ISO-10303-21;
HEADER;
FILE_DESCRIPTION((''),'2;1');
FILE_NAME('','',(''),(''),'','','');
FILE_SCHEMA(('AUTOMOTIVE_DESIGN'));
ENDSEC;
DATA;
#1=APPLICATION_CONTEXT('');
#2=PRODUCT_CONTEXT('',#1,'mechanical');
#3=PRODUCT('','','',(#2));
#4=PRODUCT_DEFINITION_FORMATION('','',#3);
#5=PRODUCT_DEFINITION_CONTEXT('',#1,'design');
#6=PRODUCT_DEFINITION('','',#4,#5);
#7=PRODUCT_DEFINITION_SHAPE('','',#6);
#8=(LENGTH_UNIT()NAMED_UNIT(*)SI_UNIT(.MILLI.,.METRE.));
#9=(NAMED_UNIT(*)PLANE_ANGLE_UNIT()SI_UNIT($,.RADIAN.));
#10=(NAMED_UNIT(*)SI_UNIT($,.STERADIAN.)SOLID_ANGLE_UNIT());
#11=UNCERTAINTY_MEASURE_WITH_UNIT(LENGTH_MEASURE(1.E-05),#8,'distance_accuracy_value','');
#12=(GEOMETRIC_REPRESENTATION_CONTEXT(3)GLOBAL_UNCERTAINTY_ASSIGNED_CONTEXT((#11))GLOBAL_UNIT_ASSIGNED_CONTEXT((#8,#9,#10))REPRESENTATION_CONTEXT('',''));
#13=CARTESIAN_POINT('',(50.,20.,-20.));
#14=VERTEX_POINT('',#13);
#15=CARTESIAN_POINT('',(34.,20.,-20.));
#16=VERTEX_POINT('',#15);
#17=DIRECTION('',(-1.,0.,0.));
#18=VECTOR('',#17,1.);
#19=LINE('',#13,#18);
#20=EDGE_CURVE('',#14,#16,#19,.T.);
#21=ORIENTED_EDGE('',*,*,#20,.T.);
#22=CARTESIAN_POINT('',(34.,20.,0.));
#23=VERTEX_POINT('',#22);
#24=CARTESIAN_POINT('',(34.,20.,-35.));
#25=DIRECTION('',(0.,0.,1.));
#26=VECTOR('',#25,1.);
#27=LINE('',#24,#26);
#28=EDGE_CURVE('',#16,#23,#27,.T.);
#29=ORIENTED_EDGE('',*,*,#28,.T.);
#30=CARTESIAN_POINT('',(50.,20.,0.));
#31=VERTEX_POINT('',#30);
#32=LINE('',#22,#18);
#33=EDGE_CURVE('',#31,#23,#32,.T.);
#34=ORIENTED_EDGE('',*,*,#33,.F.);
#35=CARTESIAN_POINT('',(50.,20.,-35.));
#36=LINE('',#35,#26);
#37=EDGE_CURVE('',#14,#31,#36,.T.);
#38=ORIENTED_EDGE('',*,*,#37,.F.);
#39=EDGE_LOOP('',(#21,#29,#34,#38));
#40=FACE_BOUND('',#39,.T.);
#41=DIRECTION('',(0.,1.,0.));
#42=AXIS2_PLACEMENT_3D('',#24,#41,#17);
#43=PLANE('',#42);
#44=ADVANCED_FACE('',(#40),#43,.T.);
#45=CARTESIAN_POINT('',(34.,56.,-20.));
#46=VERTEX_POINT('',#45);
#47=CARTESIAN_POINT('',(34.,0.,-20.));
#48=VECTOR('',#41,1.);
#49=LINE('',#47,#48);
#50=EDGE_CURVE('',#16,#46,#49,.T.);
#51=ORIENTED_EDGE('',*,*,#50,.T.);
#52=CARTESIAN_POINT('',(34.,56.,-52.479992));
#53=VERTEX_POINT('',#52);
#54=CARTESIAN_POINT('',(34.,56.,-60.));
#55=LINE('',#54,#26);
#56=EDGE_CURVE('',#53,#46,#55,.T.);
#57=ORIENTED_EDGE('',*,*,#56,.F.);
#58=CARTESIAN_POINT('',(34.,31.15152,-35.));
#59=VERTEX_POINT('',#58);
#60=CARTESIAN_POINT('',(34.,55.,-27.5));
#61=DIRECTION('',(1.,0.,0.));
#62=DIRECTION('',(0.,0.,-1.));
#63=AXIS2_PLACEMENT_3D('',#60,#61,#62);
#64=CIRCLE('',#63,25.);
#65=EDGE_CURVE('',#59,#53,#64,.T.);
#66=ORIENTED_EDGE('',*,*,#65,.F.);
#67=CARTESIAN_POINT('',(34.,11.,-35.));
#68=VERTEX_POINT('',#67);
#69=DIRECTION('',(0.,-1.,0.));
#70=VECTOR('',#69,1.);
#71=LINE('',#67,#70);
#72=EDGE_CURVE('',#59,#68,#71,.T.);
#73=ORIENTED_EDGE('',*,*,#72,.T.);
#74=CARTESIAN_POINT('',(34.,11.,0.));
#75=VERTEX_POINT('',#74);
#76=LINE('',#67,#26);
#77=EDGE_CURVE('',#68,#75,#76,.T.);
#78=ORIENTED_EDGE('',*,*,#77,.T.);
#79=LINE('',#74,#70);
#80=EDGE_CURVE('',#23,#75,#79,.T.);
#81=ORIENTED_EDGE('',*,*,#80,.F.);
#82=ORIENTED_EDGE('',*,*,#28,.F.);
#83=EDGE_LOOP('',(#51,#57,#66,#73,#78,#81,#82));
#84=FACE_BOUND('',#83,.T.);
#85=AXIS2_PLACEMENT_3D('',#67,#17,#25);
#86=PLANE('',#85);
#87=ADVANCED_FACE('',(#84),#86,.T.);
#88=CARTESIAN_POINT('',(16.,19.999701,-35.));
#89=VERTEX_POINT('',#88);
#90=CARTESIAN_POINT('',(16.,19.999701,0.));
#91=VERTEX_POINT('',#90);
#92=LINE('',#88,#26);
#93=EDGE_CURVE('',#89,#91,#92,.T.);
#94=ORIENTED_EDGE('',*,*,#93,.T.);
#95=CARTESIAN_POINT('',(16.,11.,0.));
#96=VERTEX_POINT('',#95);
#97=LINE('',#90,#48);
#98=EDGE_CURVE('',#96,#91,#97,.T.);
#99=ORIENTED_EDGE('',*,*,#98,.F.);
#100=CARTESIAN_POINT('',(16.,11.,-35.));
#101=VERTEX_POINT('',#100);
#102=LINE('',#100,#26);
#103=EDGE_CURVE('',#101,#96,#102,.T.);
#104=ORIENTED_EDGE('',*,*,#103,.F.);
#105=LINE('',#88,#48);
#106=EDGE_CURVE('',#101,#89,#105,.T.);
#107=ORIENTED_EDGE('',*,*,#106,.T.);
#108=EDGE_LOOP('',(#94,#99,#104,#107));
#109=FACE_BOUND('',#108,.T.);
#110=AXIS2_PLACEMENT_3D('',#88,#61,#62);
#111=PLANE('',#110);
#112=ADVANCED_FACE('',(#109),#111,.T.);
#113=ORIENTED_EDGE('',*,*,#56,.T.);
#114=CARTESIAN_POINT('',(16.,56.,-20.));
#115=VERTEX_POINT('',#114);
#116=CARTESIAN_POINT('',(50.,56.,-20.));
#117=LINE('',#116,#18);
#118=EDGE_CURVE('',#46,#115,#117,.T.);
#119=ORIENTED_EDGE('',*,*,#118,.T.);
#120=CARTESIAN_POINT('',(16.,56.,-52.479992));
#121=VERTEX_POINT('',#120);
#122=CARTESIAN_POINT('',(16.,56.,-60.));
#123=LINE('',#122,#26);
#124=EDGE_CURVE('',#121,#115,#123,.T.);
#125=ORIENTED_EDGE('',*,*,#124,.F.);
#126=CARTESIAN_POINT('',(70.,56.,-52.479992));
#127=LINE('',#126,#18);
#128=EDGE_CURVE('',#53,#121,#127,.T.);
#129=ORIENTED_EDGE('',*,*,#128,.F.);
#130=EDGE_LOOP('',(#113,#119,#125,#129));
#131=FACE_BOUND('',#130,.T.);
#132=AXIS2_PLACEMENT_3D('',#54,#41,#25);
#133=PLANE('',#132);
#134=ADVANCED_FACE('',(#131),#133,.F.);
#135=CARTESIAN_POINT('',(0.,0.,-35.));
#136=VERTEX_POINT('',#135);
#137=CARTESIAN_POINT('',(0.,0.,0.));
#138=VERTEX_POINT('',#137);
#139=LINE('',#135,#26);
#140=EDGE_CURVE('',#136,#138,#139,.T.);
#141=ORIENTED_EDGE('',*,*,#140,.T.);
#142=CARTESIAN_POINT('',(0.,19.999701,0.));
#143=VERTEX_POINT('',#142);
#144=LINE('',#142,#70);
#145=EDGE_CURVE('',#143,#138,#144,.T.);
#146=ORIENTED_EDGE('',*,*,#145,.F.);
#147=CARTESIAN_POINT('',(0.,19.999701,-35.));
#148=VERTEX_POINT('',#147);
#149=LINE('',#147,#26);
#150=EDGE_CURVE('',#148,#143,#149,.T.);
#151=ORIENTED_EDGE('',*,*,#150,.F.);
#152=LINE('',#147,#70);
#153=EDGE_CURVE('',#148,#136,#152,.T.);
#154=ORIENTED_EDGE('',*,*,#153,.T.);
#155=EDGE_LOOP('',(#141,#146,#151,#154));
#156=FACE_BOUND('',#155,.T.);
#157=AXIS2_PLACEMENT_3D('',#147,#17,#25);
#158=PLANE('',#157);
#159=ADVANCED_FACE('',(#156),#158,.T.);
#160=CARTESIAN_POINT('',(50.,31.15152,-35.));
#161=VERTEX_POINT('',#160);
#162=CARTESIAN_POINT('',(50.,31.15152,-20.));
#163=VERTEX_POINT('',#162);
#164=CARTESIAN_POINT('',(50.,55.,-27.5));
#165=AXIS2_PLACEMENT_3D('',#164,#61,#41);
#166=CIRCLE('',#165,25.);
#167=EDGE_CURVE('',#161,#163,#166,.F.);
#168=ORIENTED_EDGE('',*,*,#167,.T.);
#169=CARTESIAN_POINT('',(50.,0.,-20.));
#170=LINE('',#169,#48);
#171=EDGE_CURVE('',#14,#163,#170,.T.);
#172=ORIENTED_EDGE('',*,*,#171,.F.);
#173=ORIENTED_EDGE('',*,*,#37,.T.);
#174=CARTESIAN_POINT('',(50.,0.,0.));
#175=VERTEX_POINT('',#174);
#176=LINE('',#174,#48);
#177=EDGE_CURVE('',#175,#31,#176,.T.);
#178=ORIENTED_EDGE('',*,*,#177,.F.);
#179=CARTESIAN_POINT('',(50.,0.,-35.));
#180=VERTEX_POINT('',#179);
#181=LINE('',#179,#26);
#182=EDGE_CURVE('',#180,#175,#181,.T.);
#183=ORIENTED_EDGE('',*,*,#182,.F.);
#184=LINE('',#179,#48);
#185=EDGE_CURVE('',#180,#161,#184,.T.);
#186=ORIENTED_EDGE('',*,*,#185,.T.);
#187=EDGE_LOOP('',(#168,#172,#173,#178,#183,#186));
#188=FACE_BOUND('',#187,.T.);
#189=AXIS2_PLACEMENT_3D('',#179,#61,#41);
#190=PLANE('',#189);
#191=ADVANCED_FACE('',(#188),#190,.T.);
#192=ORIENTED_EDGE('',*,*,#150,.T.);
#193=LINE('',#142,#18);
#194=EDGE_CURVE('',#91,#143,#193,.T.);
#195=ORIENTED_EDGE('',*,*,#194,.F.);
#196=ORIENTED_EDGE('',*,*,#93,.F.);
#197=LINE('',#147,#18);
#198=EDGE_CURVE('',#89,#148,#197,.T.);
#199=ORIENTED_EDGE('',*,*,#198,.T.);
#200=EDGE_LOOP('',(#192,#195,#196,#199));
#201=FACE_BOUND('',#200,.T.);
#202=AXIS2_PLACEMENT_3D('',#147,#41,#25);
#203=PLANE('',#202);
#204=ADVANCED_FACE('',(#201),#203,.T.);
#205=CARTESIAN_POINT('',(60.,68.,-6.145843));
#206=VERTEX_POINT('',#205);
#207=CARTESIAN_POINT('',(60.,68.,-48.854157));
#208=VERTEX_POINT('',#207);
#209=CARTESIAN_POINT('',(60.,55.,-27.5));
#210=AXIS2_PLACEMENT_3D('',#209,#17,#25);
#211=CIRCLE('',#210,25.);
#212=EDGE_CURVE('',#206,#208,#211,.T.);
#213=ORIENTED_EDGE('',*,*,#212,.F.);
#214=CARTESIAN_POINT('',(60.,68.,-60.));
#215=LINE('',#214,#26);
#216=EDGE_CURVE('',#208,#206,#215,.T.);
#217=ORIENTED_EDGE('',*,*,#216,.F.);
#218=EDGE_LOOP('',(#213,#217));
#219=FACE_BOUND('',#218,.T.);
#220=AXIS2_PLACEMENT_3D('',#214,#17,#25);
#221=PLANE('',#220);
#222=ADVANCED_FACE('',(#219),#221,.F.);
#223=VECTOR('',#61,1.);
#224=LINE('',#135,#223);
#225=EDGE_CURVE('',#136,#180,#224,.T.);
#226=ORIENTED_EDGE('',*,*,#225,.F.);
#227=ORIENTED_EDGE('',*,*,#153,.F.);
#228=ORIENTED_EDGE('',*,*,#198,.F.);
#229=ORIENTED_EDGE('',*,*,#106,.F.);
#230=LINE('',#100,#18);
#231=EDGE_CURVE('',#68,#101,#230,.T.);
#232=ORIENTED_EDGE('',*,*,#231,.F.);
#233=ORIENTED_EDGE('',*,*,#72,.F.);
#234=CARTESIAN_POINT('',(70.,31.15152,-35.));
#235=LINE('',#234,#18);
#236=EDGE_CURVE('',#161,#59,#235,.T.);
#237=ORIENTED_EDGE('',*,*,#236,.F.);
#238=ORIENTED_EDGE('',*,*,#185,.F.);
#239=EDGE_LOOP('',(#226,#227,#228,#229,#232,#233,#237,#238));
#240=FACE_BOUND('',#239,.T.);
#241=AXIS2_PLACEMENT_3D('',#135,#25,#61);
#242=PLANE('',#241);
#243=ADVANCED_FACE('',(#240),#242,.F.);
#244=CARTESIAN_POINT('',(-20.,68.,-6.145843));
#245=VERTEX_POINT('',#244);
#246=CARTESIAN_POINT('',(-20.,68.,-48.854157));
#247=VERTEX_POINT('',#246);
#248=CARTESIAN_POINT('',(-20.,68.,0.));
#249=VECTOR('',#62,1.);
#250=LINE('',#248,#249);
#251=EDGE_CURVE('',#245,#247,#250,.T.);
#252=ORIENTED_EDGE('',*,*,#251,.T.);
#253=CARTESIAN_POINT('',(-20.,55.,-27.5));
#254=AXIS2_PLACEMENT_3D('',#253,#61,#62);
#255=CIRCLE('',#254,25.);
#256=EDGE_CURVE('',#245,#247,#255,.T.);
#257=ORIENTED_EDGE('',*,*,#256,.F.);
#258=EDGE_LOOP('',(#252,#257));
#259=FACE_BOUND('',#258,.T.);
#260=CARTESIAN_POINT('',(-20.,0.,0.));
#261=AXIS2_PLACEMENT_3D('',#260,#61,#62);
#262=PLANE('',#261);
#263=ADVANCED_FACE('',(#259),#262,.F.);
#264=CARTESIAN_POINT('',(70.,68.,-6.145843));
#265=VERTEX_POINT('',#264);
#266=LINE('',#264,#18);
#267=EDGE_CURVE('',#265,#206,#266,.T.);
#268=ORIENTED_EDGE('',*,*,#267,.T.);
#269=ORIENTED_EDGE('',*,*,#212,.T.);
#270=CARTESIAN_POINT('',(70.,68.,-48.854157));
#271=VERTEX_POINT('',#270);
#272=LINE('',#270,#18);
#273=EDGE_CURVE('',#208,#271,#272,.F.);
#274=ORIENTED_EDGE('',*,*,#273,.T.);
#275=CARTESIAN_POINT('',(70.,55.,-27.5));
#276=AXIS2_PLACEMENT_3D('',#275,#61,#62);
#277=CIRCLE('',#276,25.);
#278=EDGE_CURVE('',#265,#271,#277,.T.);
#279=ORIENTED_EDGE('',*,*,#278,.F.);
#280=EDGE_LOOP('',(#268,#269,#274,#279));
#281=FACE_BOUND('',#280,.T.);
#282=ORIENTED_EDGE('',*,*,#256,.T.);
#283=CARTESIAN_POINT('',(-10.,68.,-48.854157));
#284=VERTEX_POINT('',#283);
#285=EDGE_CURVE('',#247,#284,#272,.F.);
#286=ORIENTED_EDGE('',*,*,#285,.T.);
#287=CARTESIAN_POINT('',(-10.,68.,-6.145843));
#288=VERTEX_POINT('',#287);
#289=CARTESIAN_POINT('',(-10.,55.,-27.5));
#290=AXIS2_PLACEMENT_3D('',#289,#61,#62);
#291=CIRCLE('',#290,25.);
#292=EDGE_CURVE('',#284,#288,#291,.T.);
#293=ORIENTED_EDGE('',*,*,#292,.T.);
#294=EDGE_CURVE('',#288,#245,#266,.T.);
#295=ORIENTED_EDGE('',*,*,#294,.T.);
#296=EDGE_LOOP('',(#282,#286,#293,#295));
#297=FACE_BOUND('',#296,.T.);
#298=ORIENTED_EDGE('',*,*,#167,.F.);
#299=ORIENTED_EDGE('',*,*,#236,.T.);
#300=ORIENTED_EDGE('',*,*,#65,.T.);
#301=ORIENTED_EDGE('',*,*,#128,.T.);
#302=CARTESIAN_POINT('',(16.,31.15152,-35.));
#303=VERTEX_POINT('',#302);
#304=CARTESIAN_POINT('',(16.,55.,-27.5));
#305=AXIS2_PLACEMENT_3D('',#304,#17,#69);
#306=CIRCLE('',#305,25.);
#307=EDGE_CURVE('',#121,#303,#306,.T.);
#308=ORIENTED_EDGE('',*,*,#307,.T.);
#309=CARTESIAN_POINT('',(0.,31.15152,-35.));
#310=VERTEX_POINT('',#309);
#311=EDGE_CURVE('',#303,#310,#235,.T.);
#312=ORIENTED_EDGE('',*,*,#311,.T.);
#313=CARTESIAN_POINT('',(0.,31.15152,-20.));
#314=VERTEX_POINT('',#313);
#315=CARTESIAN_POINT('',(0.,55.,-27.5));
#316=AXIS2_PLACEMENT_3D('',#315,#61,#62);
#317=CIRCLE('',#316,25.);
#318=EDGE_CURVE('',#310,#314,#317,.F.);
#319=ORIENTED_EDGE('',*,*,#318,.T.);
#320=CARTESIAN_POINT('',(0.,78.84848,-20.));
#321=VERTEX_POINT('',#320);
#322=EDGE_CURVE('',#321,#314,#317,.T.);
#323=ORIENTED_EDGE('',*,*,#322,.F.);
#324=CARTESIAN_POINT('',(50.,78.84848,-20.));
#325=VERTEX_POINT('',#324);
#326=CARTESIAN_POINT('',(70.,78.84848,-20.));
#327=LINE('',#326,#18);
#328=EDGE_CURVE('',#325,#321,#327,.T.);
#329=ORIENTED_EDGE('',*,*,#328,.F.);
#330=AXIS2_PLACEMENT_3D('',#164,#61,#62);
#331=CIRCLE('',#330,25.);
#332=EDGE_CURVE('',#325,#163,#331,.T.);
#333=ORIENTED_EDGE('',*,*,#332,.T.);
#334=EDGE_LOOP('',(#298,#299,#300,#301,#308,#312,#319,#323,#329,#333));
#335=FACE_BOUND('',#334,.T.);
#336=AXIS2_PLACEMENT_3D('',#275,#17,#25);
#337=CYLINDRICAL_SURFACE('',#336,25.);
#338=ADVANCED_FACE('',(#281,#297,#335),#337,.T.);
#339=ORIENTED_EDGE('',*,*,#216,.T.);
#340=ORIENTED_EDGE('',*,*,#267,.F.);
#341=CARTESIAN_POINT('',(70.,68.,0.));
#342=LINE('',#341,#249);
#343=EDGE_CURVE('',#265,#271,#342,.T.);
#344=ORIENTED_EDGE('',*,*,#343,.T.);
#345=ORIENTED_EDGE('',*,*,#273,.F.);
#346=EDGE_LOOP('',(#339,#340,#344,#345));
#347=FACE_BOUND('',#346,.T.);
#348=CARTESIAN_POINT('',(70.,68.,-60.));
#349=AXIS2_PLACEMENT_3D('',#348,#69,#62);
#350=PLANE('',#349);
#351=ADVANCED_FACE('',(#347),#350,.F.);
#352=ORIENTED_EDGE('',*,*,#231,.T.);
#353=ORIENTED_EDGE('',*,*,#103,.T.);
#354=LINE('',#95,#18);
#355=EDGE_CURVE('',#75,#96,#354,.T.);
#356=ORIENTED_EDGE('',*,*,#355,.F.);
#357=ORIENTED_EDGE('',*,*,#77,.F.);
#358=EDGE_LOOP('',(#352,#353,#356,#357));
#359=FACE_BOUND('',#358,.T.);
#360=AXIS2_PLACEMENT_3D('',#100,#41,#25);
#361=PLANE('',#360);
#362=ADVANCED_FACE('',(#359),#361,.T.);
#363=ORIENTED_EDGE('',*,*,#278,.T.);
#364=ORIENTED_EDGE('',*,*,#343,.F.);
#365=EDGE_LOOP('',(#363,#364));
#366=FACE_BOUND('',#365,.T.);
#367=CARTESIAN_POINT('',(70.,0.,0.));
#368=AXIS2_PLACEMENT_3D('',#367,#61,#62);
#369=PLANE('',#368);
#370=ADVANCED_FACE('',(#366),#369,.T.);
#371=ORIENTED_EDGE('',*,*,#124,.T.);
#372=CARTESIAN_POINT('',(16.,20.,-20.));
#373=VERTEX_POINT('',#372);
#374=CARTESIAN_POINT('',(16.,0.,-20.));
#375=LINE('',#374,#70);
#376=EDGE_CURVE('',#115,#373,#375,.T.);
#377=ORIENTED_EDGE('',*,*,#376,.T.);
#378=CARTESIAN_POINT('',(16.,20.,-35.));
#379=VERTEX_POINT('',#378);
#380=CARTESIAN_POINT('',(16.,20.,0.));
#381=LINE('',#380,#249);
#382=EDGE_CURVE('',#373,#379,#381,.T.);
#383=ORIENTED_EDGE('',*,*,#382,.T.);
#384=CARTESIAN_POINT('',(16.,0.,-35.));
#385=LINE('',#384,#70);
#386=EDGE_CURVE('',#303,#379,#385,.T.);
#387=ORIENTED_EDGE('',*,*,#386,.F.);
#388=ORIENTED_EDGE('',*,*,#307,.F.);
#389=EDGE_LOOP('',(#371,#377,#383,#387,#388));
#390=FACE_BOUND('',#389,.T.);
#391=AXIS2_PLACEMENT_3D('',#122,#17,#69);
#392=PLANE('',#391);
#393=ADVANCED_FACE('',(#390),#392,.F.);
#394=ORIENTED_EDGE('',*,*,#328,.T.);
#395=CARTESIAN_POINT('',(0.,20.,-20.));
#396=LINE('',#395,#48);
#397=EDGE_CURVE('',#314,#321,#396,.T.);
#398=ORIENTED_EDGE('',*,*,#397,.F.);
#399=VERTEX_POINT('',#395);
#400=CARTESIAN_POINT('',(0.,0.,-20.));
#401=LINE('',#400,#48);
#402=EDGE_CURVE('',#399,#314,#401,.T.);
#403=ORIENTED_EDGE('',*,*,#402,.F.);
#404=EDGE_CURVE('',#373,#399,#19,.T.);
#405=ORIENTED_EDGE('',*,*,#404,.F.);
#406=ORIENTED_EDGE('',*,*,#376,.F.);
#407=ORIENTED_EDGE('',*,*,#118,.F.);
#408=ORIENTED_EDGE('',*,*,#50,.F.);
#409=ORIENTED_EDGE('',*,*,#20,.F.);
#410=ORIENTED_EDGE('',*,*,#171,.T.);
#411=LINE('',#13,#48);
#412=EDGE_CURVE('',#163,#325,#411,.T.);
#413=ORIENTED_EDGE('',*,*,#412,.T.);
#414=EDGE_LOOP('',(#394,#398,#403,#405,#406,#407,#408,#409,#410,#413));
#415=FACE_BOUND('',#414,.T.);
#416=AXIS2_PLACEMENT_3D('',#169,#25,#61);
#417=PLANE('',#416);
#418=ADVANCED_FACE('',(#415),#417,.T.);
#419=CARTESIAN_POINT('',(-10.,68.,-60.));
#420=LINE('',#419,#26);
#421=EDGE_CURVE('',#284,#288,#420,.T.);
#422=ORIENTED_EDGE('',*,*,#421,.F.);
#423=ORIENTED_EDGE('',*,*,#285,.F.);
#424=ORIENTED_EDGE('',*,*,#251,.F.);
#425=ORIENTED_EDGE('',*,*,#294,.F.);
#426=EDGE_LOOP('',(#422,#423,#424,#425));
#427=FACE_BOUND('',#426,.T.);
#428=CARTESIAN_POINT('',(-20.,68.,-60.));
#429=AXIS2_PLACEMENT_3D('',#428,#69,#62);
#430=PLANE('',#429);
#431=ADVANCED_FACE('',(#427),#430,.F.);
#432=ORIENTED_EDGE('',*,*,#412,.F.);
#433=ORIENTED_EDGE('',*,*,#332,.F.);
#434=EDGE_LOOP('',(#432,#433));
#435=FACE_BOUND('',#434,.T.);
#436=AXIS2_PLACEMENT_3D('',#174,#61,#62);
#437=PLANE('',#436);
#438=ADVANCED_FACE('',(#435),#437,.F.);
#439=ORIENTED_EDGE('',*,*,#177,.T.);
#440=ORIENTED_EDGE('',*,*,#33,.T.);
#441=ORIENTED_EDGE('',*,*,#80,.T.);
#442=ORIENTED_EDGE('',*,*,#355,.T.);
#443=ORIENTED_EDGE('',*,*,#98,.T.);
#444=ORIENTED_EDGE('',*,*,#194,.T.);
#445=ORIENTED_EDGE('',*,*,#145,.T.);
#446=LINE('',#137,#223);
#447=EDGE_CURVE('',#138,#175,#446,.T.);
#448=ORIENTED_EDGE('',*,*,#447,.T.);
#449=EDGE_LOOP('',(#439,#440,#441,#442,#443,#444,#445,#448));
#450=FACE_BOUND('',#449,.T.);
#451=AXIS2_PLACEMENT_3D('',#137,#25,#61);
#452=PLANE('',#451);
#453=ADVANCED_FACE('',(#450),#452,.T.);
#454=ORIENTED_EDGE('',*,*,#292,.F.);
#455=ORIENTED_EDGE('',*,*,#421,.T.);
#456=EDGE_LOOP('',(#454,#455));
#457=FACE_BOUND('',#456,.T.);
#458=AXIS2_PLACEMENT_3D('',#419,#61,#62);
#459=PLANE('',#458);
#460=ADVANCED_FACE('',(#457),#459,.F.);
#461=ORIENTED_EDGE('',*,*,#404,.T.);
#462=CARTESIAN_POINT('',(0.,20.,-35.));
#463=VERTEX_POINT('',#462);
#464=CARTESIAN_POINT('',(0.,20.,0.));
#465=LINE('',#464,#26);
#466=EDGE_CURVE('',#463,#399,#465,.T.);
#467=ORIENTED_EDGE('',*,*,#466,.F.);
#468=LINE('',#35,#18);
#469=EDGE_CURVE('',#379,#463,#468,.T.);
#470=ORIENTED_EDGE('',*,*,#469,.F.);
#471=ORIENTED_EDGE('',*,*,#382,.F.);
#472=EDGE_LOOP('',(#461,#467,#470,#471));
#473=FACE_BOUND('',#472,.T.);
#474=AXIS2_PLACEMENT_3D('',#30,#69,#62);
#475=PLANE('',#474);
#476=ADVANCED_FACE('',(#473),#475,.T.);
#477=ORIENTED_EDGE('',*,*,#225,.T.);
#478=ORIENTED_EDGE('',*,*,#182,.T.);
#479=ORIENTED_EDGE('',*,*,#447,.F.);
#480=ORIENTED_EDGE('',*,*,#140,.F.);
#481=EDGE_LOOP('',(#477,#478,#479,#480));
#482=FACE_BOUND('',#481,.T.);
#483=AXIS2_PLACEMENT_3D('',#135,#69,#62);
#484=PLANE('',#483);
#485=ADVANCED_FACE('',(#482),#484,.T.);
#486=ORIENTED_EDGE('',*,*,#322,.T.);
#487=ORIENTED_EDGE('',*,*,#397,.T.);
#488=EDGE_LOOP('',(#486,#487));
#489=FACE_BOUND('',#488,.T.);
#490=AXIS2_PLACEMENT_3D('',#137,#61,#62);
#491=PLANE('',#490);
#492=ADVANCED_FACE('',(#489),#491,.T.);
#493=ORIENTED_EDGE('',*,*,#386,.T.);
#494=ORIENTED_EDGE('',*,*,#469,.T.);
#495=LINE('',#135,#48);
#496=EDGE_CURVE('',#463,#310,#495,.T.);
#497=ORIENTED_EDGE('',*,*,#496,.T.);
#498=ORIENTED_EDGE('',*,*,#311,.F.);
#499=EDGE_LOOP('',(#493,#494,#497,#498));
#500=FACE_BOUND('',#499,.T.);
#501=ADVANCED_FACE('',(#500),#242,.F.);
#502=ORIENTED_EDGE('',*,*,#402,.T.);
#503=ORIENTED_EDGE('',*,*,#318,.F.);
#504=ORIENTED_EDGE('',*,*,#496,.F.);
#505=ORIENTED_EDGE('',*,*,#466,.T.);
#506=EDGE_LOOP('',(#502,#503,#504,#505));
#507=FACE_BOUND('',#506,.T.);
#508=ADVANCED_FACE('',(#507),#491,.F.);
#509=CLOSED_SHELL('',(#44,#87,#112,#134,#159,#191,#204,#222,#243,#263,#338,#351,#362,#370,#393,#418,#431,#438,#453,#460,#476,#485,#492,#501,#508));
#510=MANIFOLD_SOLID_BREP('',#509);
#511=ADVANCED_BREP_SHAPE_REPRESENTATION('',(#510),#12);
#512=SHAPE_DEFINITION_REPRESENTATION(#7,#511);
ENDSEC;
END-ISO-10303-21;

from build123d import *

# Parameters (mm, degrees)
EXTRUDE_1_DEPTH     = 35
EXTRUDE_START       = 25
SKETCH_2_R          = 25
EXTRUDE_3_DEPTH     = 45
SKETCH_3_W          = 15
SKETCH_3_H          = 35
EXTRUDE_4_DEPTH     = 50
SKETCH_4_W          = 20
SKETCH_4_H          = 60
CUT_EXTRUDE_1_DEPTH = 50
SKETCH_10_W         = 18
SKETCH_10_H         = 45
CUT_EXTRUDE_3_DEPTH = 60
SKETCH_12_W         = 10
SKETCH_12_H         = 12
CUT_EXTRUDE_5_DEPTH = 60


with BuildPart() as part:
    # Эскиз1 → Бобышка-Вытянуть1 (new body)
    with BuildSketch(Plane.XY):
        Polygon((0, 0), (50, 0), (50, 20), (34, 20), (34, 11), (16, 11), (16, 19.999701213), (0, 19.999701213), align=None)
    extrude(amount=-EXTRUDE_1_DEPTH)



with BuildPart() as body_2:
    # Эскиз2 → Бобышка-Вытянуть3 (new, symmetric)
    with BuildSketch(Plane(origin=(0, 0, 0), x_dir=(0, 0, -1), z_dir=(1, 0, 0)).offset(EXTRUDE_START)):
        with Locations((27.5, 55)):
            Circle(SKETCH_2_R)
    extrude(amount=EXTRUDE_3_DEPTH, both=True)


with BuildPart() as part_1:
    add(part.part)

    add(body_2.part)  # Бобышка-Вытянуть4 merges body 2
    # Эскиз3 → Бобышка-Вытянуть4 (add)
    with BuildSketch(Plane(origin=(0, 0, 0), x_dir=(0, 0, -1), z_dir=(1, 0, 0))):
        with Locations((27.5, 37.5)):
            Rectangle(SKETCH_3_W, SKETCH_3_H)
    extrude(amount=EXTRUDE_4_DEPTH)

    # Эскиз4 → Вырез-Вытянуть1 (cut)
    with BuildSketch(Plane(origin=(0, 0, 0), x_dir=(0, 0, -1), z_dir=(1, 0, 0))):
        with Locations((10, 50)):
            Rectangle(SKETCH_4_W, SKETCH_4_H)
    extrude(amount=CUT_EXTRUDE_1_DEPTH, mode=Mode.SUBTRACT)

    # Эскиз10 → Вырез-Вытянуть3 (cut)
    with BuildSketch(Plane.XY):
        with Locations((25, 33.5)):
            Rectangle(SKETCH_10_W, SKETCH_10_H)
    extrude(amount=-CUT_EXTRUDE_3_DEPTH, mode=Mode.SUBTRACT)

    # Эскиз12 → Вырез-Вытянуть5 (cut)
    with BuildSketch(Plane.XY):
        with Locations((-15, 74)):
            Rectangle(SKETCH_12_W, SKETCH_12_H)
        with Locations((65, 74)):
            Rectangle(SKETCH_12_W, SKETCH_12_H)
    extrude(amount=-CUT_EXTRUDE_5_DEPTH, mode=Mode.SUBTRACT)


solid = part_1.part
